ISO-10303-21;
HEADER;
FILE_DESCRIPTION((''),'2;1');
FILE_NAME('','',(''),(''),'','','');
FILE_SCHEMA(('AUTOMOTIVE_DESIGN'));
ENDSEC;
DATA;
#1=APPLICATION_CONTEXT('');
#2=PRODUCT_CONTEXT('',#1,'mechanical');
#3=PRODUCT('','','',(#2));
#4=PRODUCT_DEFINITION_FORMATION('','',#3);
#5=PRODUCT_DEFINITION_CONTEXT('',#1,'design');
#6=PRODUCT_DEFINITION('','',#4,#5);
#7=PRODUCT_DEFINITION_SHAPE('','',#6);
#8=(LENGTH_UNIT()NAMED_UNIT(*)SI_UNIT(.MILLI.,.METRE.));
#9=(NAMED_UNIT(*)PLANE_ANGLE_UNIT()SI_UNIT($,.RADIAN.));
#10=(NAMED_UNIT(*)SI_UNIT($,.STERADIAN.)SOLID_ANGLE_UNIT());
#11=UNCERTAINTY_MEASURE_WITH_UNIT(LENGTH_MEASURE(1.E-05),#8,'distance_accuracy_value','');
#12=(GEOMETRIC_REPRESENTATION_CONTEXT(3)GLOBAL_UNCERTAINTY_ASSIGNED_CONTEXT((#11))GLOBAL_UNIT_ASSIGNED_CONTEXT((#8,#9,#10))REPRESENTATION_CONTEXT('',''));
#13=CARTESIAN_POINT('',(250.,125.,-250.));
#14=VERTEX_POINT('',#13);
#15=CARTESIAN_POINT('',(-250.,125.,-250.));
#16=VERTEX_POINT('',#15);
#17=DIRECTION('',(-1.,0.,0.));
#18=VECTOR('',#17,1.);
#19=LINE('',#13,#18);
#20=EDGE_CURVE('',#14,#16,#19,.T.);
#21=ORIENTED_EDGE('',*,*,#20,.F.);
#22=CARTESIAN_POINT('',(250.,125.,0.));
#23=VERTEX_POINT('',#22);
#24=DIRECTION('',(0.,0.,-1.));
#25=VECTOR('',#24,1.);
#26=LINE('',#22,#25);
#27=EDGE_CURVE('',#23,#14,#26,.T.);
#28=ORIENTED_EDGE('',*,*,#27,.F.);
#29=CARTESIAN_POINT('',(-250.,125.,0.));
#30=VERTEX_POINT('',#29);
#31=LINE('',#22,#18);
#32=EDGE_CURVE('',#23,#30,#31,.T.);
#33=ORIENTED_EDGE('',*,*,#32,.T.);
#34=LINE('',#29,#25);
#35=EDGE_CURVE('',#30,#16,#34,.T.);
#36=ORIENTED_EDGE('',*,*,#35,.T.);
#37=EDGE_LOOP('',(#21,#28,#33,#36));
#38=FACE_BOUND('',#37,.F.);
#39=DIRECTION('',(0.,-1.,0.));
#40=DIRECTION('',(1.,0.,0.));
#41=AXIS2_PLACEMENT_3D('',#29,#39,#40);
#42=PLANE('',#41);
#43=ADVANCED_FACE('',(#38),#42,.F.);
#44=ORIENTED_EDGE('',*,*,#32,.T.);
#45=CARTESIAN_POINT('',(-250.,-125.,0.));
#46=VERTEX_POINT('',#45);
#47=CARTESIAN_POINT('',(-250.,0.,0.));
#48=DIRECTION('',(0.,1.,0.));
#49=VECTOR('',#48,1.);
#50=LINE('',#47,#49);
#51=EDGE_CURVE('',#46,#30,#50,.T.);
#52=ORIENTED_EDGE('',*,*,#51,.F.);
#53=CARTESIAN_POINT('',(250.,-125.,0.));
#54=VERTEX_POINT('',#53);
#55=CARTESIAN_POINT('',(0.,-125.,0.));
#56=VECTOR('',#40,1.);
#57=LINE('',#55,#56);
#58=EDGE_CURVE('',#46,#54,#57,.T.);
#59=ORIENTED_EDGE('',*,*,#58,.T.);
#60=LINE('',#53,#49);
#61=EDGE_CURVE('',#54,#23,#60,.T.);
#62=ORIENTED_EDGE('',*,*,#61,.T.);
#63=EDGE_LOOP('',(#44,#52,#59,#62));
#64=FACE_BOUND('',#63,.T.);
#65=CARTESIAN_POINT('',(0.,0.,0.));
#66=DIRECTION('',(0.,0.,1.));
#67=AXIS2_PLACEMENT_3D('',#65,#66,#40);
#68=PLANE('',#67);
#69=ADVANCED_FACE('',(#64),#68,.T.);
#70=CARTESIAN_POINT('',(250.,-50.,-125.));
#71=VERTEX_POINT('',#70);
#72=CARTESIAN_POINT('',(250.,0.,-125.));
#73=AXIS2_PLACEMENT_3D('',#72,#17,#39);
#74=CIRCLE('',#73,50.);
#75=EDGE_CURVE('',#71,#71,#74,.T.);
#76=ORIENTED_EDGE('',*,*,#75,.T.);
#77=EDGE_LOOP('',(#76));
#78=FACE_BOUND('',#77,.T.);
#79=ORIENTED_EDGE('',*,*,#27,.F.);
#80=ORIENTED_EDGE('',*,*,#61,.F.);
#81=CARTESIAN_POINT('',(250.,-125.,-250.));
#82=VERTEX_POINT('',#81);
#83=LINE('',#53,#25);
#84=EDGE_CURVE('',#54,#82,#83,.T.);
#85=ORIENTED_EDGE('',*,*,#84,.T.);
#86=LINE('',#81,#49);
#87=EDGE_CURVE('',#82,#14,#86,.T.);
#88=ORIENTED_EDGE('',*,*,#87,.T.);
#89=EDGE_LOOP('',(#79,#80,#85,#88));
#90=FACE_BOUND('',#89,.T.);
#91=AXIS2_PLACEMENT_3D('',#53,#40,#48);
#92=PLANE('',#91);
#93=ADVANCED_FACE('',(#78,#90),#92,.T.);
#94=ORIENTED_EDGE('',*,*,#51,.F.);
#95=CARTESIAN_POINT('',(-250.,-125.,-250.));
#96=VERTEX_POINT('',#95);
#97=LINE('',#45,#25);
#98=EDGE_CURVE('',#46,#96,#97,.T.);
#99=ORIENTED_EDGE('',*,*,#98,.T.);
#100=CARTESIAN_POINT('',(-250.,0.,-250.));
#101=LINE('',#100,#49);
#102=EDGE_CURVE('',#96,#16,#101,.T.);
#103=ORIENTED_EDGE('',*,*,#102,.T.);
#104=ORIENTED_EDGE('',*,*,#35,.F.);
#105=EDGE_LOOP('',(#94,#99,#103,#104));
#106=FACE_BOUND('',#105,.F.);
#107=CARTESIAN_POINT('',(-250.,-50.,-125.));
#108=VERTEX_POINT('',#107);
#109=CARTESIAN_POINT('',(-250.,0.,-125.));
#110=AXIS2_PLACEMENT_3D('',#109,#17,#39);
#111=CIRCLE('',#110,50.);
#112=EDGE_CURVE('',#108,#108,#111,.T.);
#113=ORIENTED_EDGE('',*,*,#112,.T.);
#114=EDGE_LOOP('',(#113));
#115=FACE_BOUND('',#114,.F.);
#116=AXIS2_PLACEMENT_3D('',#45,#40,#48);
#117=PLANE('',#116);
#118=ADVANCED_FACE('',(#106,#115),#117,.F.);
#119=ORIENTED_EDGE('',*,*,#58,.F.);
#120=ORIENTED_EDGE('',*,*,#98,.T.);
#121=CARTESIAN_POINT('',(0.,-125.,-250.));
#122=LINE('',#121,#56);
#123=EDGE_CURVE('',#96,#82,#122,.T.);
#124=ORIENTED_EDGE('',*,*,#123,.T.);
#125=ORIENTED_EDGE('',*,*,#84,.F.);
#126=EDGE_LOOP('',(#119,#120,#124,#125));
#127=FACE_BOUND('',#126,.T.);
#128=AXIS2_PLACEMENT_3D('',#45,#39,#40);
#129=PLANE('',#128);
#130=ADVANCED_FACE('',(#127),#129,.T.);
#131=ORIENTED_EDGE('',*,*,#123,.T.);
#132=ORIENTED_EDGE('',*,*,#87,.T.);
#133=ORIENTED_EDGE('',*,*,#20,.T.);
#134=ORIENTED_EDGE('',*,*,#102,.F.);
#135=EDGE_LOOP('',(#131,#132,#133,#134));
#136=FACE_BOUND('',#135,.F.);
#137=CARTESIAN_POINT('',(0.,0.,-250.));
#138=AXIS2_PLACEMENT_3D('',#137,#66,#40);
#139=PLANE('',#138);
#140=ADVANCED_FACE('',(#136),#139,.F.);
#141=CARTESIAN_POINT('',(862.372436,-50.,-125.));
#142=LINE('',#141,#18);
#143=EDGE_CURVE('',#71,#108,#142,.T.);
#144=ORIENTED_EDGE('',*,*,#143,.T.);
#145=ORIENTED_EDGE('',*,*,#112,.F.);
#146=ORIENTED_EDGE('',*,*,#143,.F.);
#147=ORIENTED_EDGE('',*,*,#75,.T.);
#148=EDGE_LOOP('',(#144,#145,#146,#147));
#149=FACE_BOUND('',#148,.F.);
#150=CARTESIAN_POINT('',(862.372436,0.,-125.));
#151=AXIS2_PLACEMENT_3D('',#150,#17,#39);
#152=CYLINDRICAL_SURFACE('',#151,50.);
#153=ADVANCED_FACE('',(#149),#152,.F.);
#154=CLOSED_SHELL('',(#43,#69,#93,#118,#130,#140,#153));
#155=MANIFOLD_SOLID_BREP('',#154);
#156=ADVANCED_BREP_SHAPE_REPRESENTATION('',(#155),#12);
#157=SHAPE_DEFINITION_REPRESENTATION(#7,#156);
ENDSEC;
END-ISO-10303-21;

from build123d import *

# Parameters (mm, degrees)
F0_W     = 500
F0_H     = 250
F1_DEPTH = 250
F3_DEPTH = 110.811708
F6_D     = 100


with BuildPart() as f1:
    # F0 (on Top) → F1 (new body)
    with BuildSketch(Plane.XY):
        Rectangle(F0_W, F0_H)
    extrude(amount=-F1_DEPTH)

    # F2 (on face) → F3 (join)
    with BuildSketch(Plane.YZ.offset(250)):
        with BuildLine():
            Line((50, -125), (125, -125))
            Line((125, -125), (125, 0))
            Line((125, 0), (0, 0))
            Line((0, 0), (0, -75))
            ThreePointArc((0, -75), (35.355339, -89.644661), (50, -125))
        make_face()
        with BuildLine():
            Line((0, -125), (50, -125))
            ThreePointArc((50, -125), (35.355339, -89.644661), (0, -75))
            Line((0, -75), (0, -125))
        make_face()
        with BuildLine():
            ThreePointArc((0, -175), (35.355339, -160.355339), (50, -125))
            Line((50, -125), (0, -125))
            Line((0, -125), (0, -175))
        make_face()
        with BuildLine():
            Line((125, -250), (125, -125))
            Line((125, -125), (50, -125))
            ThreePointArc((50, -125), (35.355339, -160.355339), (0, -175))
            Line((0, -175), (0, -250))
            Line((0, -250), (125, -250))
        make_face()
    extrude(amount=-F3_DEPTH)

    # F6 (through all)
    with Locations(Plane.YZ.offset(250)):
        with Locations((0, -125)):
            Hole(F6_D / 2)


solid = f1.part
